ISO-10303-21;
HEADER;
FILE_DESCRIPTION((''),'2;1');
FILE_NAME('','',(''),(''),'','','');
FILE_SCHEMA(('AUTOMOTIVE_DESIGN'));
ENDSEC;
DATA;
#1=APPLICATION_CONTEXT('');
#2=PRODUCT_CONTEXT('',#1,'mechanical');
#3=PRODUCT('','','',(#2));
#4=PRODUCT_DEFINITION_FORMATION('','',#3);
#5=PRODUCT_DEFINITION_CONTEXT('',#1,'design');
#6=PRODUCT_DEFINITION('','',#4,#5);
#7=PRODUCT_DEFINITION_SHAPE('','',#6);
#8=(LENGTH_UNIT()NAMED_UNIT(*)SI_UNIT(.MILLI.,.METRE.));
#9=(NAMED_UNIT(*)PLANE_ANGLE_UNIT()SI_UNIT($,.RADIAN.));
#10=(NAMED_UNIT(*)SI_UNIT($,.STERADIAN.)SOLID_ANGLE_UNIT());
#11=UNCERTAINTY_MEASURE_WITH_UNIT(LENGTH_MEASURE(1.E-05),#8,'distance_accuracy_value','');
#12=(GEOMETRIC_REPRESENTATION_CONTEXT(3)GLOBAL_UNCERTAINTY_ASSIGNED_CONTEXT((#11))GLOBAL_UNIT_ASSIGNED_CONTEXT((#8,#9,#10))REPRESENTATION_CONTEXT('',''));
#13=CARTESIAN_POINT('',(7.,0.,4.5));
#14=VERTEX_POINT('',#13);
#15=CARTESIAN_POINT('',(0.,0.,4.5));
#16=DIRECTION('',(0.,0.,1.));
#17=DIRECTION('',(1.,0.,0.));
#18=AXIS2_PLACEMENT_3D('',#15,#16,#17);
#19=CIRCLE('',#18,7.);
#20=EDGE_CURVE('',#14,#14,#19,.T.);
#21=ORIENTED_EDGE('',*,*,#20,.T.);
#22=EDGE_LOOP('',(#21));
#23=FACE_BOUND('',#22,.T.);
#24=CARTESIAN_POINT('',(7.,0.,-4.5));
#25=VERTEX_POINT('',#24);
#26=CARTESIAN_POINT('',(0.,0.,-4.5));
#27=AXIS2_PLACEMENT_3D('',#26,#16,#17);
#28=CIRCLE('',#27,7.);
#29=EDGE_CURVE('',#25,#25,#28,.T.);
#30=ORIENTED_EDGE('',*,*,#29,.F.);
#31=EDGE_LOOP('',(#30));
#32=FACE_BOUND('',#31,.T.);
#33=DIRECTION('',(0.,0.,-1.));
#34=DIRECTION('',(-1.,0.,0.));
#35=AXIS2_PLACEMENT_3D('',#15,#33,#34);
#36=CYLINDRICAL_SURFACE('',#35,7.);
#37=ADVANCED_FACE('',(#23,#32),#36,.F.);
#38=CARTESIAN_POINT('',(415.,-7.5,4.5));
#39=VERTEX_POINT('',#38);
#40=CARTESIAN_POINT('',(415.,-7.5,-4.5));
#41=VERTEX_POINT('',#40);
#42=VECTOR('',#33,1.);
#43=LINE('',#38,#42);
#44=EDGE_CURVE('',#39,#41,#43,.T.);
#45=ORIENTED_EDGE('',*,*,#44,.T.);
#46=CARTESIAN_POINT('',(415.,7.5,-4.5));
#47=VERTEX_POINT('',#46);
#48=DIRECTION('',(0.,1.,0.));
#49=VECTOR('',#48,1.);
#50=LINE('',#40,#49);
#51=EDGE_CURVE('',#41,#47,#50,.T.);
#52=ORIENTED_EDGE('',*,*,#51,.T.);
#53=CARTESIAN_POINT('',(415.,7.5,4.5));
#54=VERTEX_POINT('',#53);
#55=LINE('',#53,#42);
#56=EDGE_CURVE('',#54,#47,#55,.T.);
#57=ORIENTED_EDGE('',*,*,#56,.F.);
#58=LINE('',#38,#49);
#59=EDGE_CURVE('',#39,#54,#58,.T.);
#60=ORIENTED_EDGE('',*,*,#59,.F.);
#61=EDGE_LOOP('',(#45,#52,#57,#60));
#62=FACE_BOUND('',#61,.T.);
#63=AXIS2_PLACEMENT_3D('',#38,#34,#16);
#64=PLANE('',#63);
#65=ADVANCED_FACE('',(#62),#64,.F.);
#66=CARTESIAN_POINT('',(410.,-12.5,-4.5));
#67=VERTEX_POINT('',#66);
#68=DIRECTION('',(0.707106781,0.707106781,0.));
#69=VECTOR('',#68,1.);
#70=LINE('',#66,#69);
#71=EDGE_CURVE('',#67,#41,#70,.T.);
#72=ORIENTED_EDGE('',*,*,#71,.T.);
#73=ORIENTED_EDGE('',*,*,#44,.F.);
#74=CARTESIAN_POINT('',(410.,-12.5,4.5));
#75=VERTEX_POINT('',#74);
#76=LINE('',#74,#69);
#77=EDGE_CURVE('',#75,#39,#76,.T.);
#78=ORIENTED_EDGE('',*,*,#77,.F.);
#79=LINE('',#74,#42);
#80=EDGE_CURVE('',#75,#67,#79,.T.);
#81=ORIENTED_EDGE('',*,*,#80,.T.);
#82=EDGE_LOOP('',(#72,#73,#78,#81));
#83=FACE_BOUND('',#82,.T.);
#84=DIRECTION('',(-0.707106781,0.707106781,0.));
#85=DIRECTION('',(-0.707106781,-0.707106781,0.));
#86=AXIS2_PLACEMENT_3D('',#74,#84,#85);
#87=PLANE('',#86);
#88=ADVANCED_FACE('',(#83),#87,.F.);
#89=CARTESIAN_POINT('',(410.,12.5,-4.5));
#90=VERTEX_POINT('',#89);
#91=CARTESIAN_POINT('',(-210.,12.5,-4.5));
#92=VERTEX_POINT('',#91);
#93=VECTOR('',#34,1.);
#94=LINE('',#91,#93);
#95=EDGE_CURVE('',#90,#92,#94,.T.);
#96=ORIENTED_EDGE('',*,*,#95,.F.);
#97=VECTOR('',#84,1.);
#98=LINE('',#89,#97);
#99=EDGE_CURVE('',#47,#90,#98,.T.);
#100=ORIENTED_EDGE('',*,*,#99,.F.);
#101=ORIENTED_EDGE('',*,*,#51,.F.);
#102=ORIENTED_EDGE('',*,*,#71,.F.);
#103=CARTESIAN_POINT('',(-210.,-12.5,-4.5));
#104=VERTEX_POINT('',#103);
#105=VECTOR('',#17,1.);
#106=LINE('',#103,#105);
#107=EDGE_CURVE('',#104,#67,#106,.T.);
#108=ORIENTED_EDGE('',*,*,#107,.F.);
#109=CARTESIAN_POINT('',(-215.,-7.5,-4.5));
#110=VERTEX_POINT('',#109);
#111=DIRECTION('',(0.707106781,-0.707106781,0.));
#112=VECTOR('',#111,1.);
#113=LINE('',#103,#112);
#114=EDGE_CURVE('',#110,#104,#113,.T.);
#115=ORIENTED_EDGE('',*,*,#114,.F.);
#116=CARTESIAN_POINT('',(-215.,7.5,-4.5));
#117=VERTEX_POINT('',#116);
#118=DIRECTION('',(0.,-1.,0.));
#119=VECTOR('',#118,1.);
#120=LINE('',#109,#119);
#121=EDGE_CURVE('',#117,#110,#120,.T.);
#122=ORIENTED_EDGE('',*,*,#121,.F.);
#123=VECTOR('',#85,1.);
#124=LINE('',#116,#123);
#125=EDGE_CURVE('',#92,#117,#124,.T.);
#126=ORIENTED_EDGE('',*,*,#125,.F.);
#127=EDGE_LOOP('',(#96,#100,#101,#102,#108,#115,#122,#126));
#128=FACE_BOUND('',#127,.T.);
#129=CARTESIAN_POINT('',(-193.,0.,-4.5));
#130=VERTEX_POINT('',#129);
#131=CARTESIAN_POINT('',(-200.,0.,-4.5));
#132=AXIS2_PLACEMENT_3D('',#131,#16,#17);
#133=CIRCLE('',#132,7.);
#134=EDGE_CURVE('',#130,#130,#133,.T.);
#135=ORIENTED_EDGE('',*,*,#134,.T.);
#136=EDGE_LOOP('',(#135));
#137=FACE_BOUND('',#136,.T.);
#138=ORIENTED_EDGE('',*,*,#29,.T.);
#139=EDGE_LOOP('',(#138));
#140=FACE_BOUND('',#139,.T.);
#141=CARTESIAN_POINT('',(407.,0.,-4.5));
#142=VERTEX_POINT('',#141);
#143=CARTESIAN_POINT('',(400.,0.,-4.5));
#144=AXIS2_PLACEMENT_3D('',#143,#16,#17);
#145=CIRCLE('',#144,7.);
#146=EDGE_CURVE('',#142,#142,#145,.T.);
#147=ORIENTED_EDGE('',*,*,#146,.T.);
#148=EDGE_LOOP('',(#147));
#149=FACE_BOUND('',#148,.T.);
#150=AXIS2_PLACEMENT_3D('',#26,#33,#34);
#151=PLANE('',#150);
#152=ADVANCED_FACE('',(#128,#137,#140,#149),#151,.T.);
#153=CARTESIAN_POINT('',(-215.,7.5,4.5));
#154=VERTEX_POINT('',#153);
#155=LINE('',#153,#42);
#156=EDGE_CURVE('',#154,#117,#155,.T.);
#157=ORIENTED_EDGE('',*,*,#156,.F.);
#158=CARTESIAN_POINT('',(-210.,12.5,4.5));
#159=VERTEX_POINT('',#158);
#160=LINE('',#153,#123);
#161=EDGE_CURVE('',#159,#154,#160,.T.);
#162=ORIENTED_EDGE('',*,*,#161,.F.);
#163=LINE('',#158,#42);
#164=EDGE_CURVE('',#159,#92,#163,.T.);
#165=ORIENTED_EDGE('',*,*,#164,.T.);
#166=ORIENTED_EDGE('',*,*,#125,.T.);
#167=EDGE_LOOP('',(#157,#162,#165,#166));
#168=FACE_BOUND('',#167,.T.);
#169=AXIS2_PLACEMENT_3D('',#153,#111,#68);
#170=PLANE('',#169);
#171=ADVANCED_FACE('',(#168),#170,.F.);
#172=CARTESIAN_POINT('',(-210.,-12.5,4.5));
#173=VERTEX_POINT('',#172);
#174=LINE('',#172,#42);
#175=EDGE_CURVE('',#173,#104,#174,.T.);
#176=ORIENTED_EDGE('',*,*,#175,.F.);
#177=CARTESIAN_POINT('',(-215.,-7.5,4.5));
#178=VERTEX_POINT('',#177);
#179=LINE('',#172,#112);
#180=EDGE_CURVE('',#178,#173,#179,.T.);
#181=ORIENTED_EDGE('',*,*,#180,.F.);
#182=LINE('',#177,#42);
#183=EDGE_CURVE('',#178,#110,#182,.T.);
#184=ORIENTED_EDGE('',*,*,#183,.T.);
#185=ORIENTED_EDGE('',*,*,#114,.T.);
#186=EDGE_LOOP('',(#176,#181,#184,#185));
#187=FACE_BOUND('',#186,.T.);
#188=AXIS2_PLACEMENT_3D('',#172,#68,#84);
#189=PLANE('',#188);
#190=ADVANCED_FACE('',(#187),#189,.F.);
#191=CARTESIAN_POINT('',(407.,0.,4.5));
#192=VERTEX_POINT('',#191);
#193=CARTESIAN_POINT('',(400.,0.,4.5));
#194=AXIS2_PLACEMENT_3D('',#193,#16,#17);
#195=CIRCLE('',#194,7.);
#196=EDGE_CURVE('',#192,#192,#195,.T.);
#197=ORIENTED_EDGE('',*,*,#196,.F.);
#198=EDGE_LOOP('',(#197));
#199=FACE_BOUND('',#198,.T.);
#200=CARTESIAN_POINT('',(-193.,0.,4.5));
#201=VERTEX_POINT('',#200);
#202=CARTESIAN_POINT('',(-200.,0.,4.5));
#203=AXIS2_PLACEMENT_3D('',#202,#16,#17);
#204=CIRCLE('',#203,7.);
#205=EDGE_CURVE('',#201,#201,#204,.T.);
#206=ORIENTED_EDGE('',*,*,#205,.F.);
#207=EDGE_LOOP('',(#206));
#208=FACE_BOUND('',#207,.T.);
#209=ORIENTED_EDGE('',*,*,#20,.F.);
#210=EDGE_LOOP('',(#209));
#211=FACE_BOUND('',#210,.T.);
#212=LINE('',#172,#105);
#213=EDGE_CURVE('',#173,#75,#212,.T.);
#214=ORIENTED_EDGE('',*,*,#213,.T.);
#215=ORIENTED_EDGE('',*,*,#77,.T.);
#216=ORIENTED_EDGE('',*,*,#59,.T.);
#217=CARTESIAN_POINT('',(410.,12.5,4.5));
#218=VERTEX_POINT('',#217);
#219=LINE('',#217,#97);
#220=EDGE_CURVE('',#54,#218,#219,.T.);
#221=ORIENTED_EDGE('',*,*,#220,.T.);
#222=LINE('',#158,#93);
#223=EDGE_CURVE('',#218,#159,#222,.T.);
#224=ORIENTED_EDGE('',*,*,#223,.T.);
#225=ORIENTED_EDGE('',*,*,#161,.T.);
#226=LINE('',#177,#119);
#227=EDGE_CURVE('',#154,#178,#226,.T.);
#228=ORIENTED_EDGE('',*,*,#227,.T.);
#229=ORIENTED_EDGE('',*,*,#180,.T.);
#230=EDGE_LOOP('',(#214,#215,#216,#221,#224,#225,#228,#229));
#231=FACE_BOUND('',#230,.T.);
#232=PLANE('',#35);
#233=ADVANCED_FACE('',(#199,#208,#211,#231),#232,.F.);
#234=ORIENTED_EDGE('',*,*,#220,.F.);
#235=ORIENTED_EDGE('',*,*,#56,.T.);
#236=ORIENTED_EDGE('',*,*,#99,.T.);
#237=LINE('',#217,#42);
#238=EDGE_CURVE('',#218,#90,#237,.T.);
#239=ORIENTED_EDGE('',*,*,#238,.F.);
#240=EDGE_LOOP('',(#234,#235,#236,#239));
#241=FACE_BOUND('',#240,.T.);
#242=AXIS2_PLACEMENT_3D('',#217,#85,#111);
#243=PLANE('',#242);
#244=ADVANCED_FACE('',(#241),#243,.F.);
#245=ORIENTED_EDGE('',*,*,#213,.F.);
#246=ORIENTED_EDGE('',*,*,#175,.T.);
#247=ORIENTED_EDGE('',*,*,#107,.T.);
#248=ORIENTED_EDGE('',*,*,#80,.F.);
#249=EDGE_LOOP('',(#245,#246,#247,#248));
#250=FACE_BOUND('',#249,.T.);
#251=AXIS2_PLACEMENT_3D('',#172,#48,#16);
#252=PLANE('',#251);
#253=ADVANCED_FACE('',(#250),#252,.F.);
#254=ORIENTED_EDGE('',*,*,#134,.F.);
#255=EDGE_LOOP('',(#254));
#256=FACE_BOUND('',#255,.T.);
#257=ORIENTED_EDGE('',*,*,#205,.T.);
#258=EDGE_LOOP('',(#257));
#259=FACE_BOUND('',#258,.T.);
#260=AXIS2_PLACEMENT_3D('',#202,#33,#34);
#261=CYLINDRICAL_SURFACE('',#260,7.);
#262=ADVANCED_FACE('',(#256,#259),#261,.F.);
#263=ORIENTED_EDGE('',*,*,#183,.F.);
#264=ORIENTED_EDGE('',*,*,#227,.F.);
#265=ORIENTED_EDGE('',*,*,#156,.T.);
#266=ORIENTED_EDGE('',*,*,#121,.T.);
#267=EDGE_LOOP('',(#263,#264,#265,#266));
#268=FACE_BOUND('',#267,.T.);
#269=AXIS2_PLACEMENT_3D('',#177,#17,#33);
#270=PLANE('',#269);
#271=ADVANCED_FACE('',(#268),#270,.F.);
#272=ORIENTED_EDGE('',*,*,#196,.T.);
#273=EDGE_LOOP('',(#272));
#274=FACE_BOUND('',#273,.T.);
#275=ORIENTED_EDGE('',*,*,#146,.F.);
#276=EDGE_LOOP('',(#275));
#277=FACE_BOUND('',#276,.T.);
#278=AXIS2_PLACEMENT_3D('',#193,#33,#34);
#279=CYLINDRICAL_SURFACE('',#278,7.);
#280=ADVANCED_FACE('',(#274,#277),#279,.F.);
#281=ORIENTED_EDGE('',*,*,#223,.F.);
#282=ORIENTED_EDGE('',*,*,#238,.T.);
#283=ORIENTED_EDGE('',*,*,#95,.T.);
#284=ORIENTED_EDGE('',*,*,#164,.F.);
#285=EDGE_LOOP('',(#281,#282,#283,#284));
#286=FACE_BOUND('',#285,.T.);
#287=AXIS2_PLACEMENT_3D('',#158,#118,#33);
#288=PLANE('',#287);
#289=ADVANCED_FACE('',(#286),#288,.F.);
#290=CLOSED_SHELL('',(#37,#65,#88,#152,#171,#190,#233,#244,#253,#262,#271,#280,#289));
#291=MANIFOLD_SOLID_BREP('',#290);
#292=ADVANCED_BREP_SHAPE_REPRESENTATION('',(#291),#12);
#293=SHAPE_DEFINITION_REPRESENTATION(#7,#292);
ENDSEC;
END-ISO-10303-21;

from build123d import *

# Parameters (mm, degrees)
SKETCH_1_R      = 7
EXTRUDE_1_DEPTH = 4.5


with BuildPart() as part:
    # 草圖1 → 填料-伸長1 (new body, symmetric)
    with BuildSketch(Plane.XY):
        Polygon((-215, 7.5), (-210, 12.5), (410, 12.5), (415, 7.5), (415, -7.5), (410, -12.5), (-210, -12.5), (-215, -7.5), align=None)
        Circle(SKETCH_1_R, mode=Mode.SUBTRACT)
        with Locations((400, 0)):
            Circle(SKETCH_1_R, mode=Mode.SUBTRACT)
        with Locations((-200, 0)):
            Circle(SKETCH_1_R, mode=Mode.SUBTRACT)
    extrude(amount=EXTRUDE_1_DEPTH, both=True)


solid = part.part
